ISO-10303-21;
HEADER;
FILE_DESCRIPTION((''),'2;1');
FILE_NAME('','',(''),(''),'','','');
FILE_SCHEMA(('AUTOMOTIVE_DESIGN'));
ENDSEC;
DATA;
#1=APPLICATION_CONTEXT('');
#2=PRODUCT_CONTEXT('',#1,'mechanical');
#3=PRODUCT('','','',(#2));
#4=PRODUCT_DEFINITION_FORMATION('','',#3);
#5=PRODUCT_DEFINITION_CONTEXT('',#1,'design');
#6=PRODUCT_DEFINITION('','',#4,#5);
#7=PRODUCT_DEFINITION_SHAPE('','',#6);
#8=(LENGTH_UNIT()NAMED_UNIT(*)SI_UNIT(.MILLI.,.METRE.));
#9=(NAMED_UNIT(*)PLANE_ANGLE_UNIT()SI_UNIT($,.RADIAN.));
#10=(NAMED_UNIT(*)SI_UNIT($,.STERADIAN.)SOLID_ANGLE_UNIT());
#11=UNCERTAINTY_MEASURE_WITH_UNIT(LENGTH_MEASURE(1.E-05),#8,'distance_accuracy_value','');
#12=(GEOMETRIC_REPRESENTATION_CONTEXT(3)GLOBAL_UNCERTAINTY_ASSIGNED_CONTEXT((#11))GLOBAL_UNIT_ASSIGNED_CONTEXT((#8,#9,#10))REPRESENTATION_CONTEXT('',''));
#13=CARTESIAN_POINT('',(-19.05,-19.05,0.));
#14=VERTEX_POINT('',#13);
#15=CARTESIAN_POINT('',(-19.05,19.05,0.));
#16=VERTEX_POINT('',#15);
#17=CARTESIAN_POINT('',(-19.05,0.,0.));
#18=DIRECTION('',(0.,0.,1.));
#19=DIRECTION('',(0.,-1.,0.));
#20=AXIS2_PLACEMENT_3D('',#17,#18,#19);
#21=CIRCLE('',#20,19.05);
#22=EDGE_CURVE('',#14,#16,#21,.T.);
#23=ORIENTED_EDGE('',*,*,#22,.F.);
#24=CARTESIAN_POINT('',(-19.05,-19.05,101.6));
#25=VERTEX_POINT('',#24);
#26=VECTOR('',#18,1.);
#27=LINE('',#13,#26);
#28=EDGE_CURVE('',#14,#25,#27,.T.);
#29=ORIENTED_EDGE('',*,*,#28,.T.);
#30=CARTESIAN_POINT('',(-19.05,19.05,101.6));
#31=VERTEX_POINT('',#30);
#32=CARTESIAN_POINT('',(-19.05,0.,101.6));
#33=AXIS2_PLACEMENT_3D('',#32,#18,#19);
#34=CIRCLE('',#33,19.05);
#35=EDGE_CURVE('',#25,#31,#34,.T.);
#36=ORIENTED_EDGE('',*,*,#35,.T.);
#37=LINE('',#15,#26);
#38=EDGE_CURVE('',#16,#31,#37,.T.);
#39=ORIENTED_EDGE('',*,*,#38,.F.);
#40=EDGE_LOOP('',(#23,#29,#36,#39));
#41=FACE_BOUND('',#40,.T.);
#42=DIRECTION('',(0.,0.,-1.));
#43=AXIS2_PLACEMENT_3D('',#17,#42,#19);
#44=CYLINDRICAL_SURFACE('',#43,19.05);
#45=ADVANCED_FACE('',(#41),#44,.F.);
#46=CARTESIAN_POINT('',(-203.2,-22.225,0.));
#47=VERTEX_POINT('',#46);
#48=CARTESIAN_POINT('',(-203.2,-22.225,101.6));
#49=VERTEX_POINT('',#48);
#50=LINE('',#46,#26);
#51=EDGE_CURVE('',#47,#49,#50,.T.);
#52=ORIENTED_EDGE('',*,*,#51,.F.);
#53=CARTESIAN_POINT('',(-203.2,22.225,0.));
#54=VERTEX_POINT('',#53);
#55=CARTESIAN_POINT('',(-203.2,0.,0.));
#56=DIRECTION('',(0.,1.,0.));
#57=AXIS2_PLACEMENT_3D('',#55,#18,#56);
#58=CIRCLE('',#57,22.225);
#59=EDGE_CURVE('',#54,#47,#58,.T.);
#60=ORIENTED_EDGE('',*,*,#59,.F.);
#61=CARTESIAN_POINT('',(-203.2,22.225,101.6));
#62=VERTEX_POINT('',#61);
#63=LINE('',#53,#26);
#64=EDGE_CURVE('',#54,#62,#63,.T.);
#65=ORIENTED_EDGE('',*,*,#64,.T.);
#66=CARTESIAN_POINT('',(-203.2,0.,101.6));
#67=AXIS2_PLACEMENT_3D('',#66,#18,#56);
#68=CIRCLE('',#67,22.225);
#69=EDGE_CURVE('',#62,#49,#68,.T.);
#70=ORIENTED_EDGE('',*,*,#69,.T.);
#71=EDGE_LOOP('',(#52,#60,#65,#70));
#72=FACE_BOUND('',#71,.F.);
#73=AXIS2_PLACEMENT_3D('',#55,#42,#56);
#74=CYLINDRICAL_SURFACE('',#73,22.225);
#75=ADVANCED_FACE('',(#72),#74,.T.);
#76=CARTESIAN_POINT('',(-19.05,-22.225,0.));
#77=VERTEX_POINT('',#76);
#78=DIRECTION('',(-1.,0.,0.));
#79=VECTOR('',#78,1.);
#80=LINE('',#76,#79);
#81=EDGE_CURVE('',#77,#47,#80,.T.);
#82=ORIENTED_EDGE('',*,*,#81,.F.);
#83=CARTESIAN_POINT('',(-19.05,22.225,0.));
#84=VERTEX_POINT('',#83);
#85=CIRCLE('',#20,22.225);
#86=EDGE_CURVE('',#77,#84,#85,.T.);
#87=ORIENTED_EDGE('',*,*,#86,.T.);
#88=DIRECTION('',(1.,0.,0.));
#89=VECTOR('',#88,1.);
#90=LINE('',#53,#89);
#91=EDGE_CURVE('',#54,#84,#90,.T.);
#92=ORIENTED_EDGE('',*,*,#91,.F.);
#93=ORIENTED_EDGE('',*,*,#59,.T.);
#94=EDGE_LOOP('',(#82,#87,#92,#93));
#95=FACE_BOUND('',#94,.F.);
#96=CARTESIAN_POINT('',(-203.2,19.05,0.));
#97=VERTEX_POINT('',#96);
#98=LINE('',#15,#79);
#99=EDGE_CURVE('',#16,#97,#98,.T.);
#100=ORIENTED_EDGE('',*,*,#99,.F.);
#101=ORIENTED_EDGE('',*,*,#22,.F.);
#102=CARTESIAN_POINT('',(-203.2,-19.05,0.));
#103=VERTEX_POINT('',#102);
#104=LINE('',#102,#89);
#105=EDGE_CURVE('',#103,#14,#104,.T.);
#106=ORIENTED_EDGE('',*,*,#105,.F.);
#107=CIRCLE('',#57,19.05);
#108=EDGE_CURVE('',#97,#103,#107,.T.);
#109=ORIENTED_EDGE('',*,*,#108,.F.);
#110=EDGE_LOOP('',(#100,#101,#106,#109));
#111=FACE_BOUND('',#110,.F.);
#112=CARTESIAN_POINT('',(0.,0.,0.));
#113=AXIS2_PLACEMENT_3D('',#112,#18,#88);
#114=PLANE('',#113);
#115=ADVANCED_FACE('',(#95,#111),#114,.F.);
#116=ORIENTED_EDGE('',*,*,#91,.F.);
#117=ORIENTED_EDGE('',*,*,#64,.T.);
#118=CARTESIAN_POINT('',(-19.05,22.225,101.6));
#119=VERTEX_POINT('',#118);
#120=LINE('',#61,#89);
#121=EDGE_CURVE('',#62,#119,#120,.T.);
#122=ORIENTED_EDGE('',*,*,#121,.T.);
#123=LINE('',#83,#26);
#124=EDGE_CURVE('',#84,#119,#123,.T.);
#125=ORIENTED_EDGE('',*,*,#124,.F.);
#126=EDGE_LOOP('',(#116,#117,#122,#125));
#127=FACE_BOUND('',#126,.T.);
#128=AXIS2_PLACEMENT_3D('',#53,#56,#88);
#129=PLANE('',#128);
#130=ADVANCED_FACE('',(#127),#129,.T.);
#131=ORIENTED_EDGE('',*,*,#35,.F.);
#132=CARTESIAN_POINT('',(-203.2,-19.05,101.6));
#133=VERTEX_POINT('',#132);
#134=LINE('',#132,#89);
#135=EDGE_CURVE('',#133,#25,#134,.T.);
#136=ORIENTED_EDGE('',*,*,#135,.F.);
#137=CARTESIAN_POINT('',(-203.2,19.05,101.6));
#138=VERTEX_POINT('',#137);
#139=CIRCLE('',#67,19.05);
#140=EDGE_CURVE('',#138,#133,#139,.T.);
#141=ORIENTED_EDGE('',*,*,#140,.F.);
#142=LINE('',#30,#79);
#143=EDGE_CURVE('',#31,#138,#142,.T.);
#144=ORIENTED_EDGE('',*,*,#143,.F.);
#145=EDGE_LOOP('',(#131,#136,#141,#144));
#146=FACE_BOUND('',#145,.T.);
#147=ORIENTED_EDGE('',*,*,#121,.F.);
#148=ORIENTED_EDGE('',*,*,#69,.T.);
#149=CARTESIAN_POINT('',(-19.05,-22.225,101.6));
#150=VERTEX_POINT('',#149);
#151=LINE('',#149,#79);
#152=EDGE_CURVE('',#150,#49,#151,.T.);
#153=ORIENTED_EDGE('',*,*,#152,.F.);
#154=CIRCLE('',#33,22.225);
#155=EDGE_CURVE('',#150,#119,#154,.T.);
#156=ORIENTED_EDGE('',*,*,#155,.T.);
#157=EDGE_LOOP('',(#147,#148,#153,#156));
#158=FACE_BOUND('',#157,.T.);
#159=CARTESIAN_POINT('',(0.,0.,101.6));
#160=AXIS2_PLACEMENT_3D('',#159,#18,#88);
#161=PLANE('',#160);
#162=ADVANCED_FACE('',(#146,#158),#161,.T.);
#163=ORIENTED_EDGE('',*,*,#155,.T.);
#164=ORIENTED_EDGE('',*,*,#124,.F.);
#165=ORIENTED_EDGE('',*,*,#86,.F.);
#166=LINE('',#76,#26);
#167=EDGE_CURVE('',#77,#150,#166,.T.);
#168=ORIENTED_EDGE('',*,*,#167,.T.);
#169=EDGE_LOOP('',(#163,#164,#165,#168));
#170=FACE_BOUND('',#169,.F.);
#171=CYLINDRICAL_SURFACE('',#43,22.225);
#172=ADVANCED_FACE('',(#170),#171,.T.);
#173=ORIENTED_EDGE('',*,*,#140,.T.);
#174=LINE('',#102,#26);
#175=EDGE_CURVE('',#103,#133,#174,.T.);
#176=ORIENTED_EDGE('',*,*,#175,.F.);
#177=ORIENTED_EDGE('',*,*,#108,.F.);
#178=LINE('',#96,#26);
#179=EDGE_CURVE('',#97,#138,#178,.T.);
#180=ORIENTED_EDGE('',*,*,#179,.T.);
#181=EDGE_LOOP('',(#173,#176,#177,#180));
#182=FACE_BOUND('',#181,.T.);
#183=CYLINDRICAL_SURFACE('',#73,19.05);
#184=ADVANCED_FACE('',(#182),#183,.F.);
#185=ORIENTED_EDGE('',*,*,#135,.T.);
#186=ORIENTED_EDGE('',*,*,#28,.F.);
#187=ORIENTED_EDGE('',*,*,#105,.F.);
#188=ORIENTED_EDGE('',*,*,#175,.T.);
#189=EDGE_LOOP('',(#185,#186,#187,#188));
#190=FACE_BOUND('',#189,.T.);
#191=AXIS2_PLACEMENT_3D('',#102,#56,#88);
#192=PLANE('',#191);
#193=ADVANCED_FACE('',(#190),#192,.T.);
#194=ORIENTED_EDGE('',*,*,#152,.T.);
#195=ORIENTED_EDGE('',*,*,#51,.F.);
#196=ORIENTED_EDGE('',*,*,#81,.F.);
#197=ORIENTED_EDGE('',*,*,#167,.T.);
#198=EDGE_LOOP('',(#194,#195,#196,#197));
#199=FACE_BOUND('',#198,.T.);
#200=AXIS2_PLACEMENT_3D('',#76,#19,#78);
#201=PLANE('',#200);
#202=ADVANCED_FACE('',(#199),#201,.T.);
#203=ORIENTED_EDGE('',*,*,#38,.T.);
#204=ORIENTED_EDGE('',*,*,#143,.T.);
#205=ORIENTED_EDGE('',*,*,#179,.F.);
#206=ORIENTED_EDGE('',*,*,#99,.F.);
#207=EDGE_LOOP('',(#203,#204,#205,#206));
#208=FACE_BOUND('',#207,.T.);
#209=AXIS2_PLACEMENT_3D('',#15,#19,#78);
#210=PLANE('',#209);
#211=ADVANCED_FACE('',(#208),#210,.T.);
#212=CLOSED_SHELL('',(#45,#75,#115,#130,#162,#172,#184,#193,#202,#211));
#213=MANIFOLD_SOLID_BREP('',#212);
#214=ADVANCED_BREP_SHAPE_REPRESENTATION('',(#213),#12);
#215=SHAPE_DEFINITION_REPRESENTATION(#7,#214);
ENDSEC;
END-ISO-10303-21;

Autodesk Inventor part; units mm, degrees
ref_plane "YZ Plane" through (0, 0, 0) normal (1, 0, 0) x (0, 1, 0)
ref_plane "XZ Plane" through (0, 0, 0) normal (0, 1, 0) x (-1, 0, 0)
ref_plane "XY Plane" through (0, 0, 0) normal (0, 0, 1) x (1, 0, 0)
sketch "Sketch1" plane through (0, 0, 0) normal (0, 0, 1) x (1, 0, 0)
  line L0 (0, 0) -> (-222.25, 0) construction
  line L1 (-19.05, 19.05) -> (-203.2, 19.05)
  line L2 (-203.2, -19.05) -> (-19.05, -19.05)
  arc A0 (-19.05, -19.05) -> (-19.05, 19.05) centre (-19.05, 0) ccw
  arc A1 (-203.2, 19.05) -> (-203.2, -19.05) centre (-203.2, 0) ccw
  line L3 (0, 0) -> (222.25, 0) construction
  line L4 (-203.2, 22.225) -> (-19.05, 22.225)
  arc A2 (-19.05, -22.225) -> (-19.05, 22.225) centre (-19.05, 0) ccw
  line L5 (-19.05, -22.225) -> (-203.2, -22.225)
  arc A3 (-203.2, 22.225) -> (-203.2, -22.225) centre (-203.2, 0) ccw
  point P0 (-111.125, 0)
  dimension "d0" = 222.25
  dimension "d1" = 180
  dimension "d2" = 38.1
  dimension "d3" = 3.175
extrude "Extrusion1" add sketch "Sketch1" along normal blind 101.6
properties part number "Shooting_Belt_2"
